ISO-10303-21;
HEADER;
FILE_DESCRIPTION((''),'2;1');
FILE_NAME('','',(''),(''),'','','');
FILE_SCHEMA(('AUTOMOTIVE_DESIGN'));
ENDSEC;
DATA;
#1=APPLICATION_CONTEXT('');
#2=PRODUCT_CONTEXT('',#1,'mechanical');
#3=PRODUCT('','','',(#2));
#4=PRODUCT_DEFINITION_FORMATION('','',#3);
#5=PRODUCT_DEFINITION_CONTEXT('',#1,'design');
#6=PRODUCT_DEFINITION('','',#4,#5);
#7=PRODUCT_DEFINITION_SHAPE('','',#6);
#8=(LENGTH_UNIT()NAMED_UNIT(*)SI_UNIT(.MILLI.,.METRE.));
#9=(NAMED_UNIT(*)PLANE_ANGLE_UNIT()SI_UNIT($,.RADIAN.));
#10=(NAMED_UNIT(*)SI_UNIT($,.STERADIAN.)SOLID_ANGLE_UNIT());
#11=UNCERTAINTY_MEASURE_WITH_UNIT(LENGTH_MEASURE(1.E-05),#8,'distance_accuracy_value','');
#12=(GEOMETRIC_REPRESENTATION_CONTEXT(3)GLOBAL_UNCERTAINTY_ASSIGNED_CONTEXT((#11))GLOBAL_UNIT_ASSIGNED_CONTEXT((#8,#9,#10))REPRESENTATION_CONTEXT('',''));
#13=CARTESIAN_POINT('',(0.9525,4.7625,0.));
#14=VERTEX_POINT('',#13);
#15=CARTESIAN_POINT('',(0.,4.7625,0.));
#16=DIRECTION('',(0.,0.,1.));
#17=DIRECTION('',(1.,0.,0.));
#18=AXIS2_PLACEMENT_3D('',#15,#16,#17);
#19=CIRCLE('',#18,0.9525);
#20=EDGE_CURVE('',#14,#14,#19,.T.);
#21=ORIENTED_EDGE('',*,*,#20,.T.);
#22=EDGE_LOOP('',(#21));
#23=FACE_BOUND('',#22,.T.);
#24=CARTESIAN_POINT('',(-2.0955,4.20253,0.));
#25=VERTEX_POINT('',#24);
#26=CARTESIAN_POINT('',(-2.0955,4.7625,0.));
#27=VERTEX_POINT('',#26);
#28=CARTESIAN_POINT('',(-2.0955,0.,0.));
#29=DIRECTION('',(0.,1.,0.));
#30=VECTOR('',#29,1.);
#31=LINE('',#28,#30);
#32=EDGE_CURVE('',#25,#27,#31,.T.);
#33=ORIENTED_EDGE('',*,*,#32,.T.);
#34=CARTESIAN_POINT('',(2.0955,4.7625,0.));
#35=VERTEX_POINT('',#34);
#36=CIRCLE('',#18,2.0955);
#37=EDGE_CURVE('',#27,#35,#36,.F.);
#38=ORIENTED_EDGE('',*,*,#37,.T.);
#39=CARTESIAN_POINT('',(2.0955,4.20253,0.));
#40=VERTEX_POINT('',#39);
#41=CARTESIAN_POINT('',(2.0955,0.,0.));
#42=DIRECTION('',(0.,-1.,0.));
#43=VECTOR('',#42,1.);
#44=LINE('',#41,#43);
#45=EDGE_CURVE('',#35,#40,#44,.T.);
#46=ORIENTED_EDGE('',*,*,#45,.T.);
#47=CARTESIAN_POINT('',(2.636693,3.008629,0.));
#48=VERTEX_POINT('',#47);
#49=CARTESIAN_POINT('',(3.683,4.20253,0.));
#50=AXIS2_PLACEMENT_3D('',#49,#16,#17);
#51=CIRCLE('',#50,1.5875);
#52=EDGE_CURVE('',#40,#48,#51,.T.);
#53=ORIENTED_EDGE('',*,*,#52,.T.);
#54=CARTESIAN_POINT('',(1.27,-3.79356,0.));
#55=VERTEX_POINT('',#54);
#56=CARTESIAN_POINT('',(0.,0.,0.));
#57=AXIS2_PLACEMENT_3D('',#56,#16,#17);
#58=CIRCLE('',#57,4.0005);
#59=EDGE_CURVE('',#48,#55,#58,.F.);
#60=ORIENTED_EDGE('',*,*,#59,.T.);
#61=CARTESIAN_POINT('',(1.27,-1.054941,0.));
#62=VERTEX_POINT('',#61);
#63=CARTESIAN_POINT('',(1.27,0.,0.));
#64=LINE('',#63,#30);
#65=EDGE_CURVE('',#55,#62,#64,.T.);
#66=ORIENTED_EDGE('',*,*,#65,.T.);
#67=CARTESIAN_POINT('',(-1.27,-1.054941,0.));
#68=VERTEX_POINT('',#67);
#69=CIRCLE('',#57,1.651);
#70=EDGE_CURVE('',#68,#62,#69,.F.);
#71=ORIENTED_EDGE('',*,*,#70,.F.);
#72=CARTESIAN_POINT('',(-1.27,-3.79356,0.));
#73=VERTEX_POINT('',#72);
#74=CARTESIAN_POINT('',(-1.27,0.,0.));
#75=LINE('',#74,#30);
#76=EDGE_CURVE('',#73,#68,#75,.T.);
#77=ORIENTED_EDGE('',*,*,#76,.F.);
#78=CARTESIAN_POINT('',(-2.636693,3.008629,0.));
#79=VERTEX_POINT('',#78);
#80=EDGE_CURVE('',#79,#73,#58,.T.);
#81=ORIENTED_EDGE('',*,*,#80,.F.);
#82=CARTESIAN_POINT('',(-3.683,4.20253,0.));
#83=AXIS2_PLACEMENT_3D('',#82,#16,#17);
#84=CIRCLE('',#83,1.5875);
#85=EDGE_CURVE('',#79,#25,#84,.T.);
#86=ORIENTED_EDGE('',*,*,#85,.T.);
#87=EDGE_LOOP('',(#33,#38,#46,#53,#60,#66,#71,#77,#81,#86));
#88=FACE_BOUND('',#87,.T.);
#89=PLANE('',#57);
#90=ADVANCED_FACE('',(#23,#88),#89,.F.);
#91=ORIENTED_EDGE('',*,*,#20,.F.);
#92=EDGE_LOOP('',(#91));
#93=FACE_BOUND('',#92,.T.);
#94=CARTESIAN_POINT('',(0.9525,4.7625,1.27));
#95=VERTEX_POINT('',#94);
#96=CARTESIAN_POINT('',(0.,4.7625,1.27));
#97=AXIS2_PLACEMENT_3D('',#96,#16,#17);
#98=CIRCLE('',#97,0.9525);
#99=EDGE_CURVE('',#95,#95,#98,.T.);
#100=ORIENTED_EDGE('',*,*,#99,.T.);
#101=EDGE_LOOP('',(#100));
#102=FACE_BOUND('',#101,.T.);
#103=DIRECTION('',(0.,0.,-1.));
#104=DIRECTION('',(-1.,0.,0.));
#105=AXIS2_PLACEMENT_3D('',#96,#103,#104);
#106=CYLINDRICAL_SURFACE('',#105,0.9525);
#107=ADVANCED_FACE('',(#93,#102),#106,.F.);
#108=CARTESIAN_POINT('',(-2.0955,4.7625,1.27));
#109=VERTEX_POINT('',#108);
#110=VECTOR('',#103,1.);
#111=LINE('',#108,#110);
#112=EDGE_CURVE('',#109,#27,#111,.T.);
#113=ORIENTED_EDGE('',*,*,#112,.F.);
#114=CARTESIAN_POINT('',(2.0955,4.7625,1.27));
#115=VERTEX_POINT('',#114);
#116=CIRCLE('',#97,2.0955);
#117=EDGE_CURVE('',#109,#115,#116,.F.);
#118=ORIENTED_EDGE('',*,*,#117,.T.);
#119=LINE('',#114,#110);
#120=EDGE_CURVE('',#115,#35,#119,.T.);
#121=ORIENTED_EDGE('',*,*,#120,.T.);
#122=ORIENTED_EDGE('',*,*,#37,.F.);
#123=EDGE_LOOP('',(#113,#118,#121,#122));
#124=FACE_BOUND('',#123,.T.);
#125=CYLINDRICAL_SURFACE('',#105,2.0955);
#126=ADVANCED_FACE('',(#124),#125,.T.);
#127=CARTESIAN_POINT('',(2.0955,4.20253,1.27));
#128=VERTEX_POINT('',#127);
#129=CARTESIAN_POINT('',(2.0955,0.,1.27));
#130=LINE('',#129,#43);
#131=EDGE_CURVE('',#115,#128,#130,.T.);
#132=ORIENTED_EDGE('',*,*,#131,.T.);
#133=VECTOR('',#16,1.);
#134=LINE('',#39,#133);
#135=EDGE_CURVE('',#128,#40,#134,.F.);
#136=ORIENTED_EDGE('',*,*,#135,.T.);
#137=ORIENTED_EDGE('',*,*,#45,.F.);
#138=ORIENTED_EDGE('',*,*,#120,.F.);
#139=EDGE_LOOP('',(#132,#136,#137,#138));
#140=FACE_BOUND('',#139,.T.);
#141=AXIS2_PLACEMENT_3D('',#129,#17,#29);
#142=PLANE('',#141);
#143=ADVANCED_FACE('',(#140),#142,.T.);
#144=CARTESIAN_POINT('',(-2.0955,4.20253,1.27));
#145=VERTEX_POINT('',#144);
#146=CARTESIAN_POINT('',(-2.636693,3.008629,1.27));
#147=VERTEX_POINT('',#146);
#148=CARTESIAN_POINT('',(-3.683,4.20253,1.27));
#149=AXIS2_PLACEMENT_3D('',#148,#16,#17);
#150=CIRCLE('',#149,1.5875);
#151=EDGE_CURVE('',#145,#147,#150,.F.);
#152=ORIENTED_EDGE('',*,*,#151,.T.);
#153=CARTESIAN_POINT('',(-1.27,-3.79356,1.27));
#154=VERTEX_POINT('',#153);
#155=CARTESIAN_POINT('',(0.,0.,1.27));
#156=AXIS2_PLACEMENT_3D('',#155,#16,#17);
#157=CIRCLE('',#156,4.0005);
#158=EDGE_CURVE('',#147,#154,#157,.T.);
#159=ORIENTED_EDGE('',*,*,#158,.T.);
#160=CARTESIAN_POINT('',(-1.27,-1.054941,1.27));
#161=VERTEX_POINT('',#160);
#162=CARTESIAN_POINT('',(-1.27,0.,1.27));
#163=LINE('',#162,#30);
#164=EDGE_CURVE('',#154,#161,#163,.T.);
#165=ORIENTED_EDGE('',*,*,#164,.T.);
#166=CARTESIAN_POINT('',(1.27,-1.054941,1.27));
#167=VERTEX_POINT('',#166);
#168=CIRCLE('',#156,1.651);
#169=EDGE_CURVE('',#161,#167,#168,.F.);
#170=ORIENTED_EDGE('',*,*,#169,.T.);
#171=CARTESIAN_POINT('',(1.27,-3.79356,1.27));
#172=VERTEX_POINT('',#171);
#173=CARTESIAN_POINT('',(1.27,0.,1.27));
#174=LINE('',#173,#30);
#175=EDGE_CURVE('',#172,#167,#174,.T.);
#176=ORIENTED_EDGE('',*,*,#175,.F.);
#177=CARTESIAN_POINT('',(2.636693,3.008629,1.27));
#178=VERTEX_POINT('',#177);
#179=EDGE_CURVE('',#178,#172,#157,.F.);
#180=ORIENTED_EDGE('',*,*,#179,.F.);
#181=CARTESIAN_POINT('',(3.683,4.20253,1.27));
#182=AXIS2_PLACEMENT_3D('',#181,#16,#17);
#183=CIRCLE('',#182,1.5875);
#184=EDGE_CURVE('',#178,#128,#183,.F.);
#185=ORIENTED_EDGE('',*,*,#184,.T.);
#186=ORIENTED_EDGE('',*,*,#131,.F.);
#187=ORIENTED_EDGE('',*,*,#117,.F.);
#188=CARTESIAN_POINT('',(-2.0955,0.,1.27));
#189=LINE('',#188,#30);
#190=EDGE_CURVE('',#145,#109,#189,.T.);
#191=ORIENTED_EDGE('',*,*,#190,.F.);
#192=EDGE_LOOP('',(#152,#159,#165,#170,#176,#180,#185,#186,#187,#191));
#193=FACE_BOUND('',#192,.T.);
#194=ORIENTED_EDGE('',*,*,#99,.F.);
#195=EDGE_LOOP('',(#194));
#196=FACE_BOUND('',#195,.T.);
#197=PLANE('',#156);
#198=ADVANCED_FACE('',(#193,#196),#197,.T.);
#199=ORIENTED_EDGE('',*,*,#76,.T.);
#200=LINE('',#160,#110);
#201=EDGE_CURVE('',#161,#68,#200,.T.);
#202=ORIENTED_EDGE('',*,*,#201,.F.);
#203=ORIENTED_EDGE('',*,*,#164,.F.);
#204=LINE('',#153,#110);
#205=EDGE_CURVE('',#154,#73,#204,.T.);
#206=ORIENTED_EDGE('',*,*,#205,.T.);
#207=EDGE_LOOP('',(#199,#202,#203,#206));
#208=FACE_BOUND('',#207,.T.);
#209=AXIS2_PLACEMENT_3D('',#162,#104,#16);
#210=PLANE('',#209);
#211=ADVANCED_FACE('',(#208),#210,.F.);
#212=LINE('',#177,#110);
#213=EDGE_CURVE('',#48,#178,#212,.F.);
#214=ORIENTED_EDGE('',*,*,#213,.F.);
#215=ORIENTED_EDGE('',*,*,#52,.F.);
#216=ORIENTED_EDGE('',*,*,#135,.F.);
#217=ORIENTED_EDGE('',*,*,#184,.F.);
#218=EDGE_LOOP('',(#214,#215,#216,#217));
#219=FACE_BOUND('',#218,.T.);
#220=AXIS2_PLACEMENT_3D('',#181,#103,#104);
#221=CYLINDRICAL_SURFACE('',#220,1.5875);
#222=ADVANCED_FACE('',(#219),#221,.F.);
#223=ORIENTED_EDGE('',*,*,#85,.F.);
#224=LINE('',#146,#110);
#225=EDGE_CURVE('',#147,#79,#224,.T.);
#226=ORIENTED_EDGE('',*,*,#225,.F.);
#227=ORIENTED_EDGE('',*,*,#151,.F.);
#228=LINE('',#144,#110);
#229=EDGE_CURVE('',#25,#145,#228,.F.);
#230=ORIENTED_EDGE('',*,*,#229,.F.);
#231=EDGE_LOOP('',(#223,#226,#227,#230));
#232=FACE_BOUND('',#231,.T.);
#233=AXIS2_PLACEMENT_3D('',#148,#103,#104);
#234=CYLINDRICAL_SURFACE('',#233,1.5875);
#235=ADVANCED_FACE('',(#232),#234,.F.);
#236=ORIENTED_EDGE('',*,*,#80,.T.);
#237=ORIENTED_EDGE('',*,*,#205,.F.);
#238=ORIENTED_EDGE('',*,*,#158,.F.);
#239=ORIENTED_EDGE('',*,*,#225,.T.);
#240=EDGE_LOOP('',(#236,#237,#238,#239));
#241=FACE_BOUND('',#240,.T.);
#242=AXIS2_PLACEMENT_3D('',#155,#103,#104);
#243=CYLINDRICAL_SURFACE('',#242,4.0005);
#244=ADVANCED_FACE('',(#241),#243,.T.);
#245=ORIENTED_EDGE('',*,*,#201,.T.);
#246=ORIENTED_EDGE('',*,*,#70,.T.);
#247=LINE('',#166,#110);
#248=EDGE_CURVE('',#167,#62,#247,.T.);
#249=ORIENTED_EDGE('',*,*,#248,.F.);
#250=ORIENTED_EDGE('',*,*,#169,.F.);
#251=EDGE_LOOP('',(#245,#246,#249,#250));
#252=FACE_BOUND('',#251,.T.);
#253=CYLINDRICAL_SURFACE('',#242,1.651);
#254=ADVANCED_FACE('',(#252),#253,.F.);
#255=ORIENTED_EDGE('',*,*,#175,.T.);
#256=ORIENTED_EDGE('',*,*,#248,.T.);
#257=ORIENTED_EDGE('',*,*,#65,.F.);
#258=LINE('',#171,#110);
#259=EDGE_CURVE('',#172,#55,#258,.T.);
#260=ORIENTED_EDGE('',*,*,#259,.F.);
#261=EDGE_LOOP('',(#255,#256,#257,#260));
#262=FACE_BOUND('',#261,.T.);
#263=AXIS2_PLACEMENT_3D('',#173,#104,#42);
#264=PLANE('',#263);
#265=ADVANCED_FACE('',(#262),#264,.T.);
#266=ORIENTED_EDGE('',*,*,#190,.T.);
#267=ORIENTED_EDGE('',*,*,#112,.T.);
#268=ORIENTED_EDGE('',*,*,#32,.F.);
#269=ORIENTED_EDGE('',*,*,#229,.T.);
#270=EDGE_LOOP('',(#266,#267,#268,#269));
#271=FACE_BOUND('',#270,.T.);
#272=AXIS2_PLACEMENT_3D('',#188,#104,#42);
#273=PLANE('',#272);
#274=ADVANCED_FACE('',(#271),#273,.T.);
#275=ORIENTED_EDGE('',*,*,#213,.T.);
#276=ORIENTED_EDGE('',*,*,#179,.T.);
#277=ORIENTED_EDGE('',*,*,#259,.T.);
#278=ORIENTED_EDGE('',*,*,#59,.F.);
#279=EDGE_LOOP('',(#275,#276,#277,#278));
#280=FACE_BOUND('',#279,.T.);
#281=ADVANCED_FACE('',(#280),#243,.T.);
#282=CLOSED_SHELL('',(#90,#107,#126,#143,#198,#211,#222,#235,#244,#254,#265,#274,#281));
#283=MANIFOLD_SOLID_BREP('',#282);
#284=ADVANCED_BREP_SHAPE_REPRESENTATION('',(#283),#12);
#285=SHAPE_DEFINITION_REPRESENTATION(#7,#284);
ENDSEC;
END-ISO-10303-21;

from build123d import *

# Parameters (mm, degrees)
SKETCH1_R           = 0.9525
BOSS_EXTRUDE1_DEPTH = 1.27
FILLET1_R           = 1.5875


with BuildPart() as part:
    # Sketch1 → Boss-Extrude1 (new body)
    with BuildSketch(Plane.XY):
        with BuildLine():
            Line((-1.27, -3.793560366), (-1.27, -1.054941231))
            ThreePointArc((-1.27, -1.054941231), (0, 1.651), (1.27, -1.054941231))
            Line((1.27, -1.054941231), (1.27, -3.793560366))
            ThreePointArc((1.27, -3.793560366), (3.974472125, -0.455600239), (2.0955, 3.407767598))
            Line((2.0955, 3.407767598), (2.0955, 4.7625))
            ThreePointArc((2.0955, 4.7625), (0, 6.858), (-2.0955, 4.7625))
            Line((-2.0955, 4.7625), (-2.0955, 3.407767598))
            ThreePointArc((-2.0955, 3.407767598), (-3.974472125, -0.455600239), (-1.27, -3.793560366))
        make_face()
        with Locations((0, 4.7625)):
            Circle(SKETCH1_R, mode=Mode.SUBTRACT)
    extrude(amount=BOSS_EXTRUDE1_DEPTH)

    # Fillet1
    fillet1_edges = [part.edges().sort_by_distance(p)[0] for p in [
        (-2.0955, 3.407767598, 0.635),
        (2.0955, 3.407767598, 0.635),
    ]]
    fillet(fillet1_edges, radius=FILLET1_R)


solid = part.part
